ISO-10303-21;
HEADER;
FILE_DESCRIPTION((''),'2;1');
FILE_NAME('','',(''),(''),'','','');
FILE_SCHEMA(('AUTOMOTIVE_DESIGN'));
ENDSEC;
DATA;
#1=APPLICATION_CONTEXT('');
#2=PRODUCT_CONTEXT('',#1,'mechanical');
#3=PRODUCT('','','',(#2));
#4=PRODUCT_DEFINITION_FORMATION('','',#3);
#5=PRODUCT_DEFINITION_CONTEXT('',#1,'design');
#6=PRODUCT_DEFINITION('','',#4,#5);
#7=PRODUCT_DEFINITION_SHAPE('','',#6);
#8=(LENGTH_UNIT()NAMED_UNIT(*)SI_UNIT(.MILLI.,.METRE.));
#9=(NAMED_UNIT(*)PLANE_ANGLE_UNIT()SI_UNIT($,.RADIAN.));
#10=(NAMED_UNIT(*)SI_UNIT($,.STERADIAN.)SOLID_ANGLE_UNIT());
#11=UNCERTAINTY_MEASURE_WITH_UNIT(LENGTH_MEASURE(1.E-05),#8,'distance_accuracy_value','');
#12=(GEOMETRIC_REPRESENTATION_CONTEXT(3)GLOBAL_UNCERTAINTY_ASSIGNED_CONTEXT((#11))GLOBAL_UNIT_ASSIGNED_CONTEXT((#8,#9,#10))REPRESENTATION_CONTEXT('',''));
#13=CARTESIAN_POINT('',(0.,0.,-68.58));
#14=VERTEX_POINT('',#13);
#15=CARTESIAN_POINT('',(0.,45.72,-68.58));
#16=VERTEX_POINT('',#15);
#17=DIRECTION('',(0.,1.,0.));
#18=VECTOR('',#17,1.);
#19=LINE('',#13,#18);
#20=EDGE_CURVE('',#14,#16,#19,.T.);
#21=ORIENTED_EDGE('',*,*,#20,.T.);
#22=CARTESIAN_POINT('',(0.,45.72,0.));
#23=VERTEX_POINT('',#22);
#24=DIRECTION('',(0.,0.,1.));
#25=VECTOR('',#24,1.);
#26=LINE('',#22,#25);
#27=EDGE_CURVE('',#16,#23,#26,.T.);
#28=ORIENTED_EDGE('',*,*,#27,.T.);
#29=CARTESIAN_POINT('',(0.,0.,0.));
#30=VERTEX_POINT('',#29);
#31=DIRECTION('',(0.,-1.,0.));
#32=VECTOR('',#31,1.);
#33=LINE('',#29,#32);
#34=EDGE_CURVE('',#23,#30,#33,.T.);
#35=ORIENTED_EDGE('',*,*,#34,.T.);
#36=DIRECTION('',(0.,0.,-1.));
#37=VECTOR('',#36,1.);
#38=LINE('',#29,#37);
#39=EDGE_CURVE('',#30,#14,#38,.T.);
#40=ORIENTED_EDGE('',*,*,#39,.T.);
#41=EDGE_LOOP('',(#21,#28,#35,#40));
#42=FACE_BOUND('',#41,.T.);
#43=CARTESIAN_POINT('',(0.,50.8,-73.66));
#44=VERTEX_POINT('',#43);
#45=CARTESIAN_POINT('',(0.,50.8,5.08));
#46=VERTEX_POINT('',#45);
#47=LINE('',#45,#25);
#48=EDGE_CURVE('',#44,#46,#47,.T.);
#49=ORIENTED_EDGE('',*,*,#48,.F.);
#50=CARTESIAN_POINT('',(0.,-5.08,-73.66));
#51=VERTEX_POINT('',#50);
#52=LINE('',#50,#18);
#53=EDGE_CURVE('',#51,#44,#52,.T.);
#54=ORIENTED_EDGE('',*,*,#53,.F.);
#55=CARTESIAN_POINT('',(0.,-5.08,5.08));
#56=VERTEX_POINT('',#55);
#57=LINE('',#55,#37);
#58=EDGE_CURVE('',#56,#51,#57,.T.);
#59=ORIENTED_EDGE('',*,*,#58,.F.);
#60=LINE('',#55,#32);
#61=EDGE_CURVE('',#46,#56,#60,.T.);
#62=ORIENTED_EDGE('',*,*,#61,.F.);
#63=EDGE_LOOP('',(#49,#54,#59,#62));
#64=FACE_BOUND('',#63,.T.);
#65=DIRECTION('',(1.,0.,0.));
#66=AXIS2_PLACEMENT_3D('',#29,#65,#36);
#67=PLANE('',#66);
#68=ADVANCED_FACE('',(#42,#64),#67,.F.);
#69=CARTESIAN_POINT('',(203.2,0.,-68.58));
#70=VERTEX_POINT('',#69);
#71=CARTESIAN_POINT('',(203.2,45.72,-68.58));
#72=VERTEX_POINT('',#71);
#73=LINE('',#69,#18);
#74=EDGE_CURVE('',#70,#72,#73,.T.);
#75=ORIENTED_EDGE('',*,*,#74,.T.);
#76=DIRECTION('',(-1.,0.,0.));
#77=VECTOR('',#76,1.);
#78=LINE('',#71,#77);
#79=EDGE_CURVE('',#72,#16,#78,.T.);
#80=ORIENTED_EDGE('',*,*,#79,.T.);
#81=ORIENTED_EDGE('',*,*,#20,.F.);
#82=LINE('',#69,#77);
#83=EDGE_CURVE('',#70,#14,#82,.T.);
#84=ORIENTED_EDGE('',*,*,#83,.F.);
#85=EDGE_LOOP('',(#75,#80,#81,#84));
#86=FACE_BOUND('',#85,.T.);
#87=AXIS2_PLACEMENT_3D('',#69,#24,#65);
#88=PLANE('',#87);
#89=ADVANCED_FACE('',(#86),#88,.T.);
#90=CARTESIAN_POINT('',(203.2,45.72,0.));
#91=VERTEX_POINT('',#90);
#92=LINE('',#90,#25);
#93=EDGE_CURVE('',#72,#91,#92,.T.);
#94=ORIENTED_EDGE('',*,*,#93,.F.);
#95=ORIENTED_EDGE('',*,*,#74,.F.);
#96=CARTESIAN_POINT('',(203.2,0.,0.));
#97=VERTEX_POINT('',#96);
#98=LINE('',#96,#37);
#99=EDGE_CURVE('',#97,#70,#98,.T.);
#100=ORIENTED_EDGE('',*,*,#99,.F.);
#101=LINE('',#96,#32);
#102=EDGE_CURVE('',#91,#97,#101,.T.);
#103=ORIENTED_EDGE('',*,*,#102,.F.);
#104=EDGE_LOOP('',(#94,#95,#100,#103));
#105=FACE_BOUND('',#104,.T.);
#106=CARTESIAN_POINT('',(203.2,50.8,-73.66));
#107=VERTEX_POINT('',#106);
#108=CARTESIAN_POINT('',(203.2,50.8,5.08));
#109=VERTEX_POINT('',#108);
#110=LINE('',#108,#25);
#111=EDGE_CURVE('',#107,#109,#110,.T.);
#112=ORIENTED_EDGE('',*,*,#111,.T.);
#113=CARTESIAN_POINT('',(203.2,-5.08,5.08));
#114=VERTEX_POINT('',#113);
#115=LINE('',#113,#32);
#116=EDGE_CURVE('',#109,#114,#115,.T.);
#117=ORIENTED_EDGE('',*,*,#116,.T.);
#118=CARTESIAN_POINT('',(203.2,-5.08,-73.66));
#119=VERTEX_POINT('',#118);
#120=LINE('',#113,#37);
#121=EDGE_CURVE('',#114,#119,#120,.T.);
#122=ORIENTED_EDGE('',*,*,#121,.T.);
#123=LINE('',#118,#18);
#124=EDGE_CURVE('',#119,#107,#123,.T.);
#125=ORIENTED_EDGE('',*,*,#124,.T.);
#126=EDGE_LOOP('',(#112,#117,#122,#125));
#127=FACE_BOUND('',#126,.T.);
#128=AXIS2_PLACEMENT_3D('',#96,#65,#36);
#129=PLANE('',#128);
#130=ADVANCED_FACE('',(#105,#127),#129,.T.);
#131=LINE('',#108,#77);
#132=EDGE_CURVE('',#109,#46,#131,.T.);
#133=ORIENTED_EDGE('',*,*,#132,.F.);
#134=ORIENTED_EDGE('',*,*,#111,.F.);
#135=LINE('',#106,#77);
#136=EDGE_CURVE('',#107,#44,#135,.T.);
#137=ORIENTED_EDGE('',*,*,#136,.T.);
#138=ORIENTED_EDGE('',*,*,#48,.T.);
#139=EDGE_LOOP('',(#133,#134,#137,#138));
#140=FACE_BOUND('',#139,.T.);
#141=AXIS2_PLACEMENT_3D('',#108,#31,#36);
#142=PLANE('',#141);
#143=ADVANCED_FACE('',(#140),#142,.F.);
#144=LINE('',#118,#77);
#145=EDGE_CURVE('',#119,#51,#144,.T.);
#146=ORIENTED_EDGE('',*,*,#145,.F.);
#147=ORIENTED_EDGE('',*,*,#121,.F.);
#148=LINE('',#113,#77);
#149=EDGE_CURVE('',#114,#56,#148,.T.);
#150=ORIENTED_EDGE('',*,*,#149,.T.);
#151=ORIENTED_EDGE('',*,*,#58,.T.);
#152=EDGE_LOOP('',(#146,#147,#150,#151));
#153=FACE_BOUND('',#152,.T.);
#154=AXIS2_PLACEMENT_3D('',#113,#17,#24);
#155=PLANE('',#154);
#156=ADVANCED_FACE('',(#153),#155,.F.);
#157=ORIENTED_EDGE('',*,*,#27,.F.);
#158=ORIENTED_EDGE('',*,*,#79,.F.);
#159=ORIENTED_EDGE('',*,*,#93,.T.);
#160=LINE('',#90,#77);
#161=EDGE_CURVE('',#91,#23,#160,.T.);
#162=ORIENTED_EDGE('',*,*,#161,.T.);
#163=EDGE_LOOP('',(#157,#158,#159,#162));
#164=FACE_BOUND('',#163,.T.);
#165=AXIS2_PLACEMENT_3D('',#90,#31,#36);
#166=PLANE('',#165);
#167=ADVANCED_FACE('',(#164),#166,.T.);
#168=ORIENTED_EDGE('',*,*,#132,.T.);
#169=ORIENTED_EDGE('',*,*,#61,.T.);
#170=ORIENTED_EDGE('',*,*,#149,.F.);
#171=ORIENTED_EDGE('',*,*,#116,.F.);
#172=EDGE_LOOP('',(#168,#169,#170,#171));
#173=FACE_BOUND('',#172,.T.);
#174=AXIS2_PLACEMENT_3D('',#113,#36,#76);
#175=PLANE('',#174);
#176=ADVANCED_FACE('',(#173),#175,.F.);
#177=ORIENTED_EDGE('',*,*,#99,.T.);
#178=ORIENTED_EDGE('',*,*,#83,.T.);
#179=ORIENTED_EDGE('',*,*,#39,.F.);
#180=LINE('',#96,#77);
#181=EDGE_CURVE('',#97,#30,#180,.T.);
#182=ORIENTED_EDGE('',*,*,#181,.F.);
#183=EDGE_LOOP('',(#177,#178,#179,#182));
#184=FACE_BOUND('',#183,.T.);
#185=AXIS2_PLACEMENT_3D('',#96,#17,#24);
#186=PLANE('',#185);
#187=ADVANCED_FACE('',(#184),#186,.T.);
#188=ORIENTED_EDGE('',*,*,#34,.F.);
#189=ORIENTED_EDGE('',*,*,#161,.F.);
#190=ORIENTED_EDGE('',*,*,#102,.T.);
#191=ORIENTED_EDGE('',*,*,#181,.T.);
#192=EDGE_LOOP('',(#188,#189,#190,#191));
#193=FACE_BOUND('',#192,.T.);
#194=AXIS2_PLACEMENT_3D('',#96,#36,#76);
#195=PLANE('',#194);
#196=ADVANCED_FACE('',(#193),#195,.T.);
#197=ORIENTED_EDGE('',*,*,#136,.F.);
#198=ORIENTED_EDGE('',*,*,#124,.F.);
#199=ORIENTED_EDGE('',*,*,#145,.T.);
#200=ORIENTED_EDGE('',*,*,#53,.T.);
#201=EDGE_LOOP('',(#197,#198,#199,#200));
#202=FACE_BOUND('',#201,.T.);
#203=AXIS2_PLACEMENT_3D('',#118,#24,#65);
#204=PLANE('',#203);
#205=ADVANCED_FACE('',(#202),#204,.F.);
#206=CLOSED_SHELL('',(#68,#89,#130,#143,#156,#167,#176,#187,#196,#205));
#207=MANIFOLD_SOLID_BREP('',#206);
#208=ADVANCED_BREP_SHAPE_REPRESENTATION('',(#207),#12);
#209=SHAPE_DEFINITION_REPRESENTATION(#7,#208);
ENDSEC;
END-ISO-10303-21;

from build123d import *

# Parameters (mm, degrees)
SKETCH2_W           = 78.74
SKETCH2_H           = 55.88
SKETCH2_W_2         = 68.58
SKETCH2_H_2         = 45.72
BOSS_EXTRUDE1_DEPTH = 203.2


with BuildPart() as part:
    # Sketch2 → Boss-Extrude1 (new body)
    with BuildSketch(Plane(origin=(0, 0, 0), x_dir=(0, 0, -1), z_dir=(1, 0, 0))):
        with Locations((34.29, 22.86)):
            Rectangle(SKETCH2_W, SKETCH2_H)
        with Locations((34.29, 22.86)):
            Rectangle(SKETCH2_W_2, SKETCH2_H_2, mode=Mode.SUBTRACT)
    extrude(amount=BOSS_EXTRUDE1_DEPTH)


solid = part.part
